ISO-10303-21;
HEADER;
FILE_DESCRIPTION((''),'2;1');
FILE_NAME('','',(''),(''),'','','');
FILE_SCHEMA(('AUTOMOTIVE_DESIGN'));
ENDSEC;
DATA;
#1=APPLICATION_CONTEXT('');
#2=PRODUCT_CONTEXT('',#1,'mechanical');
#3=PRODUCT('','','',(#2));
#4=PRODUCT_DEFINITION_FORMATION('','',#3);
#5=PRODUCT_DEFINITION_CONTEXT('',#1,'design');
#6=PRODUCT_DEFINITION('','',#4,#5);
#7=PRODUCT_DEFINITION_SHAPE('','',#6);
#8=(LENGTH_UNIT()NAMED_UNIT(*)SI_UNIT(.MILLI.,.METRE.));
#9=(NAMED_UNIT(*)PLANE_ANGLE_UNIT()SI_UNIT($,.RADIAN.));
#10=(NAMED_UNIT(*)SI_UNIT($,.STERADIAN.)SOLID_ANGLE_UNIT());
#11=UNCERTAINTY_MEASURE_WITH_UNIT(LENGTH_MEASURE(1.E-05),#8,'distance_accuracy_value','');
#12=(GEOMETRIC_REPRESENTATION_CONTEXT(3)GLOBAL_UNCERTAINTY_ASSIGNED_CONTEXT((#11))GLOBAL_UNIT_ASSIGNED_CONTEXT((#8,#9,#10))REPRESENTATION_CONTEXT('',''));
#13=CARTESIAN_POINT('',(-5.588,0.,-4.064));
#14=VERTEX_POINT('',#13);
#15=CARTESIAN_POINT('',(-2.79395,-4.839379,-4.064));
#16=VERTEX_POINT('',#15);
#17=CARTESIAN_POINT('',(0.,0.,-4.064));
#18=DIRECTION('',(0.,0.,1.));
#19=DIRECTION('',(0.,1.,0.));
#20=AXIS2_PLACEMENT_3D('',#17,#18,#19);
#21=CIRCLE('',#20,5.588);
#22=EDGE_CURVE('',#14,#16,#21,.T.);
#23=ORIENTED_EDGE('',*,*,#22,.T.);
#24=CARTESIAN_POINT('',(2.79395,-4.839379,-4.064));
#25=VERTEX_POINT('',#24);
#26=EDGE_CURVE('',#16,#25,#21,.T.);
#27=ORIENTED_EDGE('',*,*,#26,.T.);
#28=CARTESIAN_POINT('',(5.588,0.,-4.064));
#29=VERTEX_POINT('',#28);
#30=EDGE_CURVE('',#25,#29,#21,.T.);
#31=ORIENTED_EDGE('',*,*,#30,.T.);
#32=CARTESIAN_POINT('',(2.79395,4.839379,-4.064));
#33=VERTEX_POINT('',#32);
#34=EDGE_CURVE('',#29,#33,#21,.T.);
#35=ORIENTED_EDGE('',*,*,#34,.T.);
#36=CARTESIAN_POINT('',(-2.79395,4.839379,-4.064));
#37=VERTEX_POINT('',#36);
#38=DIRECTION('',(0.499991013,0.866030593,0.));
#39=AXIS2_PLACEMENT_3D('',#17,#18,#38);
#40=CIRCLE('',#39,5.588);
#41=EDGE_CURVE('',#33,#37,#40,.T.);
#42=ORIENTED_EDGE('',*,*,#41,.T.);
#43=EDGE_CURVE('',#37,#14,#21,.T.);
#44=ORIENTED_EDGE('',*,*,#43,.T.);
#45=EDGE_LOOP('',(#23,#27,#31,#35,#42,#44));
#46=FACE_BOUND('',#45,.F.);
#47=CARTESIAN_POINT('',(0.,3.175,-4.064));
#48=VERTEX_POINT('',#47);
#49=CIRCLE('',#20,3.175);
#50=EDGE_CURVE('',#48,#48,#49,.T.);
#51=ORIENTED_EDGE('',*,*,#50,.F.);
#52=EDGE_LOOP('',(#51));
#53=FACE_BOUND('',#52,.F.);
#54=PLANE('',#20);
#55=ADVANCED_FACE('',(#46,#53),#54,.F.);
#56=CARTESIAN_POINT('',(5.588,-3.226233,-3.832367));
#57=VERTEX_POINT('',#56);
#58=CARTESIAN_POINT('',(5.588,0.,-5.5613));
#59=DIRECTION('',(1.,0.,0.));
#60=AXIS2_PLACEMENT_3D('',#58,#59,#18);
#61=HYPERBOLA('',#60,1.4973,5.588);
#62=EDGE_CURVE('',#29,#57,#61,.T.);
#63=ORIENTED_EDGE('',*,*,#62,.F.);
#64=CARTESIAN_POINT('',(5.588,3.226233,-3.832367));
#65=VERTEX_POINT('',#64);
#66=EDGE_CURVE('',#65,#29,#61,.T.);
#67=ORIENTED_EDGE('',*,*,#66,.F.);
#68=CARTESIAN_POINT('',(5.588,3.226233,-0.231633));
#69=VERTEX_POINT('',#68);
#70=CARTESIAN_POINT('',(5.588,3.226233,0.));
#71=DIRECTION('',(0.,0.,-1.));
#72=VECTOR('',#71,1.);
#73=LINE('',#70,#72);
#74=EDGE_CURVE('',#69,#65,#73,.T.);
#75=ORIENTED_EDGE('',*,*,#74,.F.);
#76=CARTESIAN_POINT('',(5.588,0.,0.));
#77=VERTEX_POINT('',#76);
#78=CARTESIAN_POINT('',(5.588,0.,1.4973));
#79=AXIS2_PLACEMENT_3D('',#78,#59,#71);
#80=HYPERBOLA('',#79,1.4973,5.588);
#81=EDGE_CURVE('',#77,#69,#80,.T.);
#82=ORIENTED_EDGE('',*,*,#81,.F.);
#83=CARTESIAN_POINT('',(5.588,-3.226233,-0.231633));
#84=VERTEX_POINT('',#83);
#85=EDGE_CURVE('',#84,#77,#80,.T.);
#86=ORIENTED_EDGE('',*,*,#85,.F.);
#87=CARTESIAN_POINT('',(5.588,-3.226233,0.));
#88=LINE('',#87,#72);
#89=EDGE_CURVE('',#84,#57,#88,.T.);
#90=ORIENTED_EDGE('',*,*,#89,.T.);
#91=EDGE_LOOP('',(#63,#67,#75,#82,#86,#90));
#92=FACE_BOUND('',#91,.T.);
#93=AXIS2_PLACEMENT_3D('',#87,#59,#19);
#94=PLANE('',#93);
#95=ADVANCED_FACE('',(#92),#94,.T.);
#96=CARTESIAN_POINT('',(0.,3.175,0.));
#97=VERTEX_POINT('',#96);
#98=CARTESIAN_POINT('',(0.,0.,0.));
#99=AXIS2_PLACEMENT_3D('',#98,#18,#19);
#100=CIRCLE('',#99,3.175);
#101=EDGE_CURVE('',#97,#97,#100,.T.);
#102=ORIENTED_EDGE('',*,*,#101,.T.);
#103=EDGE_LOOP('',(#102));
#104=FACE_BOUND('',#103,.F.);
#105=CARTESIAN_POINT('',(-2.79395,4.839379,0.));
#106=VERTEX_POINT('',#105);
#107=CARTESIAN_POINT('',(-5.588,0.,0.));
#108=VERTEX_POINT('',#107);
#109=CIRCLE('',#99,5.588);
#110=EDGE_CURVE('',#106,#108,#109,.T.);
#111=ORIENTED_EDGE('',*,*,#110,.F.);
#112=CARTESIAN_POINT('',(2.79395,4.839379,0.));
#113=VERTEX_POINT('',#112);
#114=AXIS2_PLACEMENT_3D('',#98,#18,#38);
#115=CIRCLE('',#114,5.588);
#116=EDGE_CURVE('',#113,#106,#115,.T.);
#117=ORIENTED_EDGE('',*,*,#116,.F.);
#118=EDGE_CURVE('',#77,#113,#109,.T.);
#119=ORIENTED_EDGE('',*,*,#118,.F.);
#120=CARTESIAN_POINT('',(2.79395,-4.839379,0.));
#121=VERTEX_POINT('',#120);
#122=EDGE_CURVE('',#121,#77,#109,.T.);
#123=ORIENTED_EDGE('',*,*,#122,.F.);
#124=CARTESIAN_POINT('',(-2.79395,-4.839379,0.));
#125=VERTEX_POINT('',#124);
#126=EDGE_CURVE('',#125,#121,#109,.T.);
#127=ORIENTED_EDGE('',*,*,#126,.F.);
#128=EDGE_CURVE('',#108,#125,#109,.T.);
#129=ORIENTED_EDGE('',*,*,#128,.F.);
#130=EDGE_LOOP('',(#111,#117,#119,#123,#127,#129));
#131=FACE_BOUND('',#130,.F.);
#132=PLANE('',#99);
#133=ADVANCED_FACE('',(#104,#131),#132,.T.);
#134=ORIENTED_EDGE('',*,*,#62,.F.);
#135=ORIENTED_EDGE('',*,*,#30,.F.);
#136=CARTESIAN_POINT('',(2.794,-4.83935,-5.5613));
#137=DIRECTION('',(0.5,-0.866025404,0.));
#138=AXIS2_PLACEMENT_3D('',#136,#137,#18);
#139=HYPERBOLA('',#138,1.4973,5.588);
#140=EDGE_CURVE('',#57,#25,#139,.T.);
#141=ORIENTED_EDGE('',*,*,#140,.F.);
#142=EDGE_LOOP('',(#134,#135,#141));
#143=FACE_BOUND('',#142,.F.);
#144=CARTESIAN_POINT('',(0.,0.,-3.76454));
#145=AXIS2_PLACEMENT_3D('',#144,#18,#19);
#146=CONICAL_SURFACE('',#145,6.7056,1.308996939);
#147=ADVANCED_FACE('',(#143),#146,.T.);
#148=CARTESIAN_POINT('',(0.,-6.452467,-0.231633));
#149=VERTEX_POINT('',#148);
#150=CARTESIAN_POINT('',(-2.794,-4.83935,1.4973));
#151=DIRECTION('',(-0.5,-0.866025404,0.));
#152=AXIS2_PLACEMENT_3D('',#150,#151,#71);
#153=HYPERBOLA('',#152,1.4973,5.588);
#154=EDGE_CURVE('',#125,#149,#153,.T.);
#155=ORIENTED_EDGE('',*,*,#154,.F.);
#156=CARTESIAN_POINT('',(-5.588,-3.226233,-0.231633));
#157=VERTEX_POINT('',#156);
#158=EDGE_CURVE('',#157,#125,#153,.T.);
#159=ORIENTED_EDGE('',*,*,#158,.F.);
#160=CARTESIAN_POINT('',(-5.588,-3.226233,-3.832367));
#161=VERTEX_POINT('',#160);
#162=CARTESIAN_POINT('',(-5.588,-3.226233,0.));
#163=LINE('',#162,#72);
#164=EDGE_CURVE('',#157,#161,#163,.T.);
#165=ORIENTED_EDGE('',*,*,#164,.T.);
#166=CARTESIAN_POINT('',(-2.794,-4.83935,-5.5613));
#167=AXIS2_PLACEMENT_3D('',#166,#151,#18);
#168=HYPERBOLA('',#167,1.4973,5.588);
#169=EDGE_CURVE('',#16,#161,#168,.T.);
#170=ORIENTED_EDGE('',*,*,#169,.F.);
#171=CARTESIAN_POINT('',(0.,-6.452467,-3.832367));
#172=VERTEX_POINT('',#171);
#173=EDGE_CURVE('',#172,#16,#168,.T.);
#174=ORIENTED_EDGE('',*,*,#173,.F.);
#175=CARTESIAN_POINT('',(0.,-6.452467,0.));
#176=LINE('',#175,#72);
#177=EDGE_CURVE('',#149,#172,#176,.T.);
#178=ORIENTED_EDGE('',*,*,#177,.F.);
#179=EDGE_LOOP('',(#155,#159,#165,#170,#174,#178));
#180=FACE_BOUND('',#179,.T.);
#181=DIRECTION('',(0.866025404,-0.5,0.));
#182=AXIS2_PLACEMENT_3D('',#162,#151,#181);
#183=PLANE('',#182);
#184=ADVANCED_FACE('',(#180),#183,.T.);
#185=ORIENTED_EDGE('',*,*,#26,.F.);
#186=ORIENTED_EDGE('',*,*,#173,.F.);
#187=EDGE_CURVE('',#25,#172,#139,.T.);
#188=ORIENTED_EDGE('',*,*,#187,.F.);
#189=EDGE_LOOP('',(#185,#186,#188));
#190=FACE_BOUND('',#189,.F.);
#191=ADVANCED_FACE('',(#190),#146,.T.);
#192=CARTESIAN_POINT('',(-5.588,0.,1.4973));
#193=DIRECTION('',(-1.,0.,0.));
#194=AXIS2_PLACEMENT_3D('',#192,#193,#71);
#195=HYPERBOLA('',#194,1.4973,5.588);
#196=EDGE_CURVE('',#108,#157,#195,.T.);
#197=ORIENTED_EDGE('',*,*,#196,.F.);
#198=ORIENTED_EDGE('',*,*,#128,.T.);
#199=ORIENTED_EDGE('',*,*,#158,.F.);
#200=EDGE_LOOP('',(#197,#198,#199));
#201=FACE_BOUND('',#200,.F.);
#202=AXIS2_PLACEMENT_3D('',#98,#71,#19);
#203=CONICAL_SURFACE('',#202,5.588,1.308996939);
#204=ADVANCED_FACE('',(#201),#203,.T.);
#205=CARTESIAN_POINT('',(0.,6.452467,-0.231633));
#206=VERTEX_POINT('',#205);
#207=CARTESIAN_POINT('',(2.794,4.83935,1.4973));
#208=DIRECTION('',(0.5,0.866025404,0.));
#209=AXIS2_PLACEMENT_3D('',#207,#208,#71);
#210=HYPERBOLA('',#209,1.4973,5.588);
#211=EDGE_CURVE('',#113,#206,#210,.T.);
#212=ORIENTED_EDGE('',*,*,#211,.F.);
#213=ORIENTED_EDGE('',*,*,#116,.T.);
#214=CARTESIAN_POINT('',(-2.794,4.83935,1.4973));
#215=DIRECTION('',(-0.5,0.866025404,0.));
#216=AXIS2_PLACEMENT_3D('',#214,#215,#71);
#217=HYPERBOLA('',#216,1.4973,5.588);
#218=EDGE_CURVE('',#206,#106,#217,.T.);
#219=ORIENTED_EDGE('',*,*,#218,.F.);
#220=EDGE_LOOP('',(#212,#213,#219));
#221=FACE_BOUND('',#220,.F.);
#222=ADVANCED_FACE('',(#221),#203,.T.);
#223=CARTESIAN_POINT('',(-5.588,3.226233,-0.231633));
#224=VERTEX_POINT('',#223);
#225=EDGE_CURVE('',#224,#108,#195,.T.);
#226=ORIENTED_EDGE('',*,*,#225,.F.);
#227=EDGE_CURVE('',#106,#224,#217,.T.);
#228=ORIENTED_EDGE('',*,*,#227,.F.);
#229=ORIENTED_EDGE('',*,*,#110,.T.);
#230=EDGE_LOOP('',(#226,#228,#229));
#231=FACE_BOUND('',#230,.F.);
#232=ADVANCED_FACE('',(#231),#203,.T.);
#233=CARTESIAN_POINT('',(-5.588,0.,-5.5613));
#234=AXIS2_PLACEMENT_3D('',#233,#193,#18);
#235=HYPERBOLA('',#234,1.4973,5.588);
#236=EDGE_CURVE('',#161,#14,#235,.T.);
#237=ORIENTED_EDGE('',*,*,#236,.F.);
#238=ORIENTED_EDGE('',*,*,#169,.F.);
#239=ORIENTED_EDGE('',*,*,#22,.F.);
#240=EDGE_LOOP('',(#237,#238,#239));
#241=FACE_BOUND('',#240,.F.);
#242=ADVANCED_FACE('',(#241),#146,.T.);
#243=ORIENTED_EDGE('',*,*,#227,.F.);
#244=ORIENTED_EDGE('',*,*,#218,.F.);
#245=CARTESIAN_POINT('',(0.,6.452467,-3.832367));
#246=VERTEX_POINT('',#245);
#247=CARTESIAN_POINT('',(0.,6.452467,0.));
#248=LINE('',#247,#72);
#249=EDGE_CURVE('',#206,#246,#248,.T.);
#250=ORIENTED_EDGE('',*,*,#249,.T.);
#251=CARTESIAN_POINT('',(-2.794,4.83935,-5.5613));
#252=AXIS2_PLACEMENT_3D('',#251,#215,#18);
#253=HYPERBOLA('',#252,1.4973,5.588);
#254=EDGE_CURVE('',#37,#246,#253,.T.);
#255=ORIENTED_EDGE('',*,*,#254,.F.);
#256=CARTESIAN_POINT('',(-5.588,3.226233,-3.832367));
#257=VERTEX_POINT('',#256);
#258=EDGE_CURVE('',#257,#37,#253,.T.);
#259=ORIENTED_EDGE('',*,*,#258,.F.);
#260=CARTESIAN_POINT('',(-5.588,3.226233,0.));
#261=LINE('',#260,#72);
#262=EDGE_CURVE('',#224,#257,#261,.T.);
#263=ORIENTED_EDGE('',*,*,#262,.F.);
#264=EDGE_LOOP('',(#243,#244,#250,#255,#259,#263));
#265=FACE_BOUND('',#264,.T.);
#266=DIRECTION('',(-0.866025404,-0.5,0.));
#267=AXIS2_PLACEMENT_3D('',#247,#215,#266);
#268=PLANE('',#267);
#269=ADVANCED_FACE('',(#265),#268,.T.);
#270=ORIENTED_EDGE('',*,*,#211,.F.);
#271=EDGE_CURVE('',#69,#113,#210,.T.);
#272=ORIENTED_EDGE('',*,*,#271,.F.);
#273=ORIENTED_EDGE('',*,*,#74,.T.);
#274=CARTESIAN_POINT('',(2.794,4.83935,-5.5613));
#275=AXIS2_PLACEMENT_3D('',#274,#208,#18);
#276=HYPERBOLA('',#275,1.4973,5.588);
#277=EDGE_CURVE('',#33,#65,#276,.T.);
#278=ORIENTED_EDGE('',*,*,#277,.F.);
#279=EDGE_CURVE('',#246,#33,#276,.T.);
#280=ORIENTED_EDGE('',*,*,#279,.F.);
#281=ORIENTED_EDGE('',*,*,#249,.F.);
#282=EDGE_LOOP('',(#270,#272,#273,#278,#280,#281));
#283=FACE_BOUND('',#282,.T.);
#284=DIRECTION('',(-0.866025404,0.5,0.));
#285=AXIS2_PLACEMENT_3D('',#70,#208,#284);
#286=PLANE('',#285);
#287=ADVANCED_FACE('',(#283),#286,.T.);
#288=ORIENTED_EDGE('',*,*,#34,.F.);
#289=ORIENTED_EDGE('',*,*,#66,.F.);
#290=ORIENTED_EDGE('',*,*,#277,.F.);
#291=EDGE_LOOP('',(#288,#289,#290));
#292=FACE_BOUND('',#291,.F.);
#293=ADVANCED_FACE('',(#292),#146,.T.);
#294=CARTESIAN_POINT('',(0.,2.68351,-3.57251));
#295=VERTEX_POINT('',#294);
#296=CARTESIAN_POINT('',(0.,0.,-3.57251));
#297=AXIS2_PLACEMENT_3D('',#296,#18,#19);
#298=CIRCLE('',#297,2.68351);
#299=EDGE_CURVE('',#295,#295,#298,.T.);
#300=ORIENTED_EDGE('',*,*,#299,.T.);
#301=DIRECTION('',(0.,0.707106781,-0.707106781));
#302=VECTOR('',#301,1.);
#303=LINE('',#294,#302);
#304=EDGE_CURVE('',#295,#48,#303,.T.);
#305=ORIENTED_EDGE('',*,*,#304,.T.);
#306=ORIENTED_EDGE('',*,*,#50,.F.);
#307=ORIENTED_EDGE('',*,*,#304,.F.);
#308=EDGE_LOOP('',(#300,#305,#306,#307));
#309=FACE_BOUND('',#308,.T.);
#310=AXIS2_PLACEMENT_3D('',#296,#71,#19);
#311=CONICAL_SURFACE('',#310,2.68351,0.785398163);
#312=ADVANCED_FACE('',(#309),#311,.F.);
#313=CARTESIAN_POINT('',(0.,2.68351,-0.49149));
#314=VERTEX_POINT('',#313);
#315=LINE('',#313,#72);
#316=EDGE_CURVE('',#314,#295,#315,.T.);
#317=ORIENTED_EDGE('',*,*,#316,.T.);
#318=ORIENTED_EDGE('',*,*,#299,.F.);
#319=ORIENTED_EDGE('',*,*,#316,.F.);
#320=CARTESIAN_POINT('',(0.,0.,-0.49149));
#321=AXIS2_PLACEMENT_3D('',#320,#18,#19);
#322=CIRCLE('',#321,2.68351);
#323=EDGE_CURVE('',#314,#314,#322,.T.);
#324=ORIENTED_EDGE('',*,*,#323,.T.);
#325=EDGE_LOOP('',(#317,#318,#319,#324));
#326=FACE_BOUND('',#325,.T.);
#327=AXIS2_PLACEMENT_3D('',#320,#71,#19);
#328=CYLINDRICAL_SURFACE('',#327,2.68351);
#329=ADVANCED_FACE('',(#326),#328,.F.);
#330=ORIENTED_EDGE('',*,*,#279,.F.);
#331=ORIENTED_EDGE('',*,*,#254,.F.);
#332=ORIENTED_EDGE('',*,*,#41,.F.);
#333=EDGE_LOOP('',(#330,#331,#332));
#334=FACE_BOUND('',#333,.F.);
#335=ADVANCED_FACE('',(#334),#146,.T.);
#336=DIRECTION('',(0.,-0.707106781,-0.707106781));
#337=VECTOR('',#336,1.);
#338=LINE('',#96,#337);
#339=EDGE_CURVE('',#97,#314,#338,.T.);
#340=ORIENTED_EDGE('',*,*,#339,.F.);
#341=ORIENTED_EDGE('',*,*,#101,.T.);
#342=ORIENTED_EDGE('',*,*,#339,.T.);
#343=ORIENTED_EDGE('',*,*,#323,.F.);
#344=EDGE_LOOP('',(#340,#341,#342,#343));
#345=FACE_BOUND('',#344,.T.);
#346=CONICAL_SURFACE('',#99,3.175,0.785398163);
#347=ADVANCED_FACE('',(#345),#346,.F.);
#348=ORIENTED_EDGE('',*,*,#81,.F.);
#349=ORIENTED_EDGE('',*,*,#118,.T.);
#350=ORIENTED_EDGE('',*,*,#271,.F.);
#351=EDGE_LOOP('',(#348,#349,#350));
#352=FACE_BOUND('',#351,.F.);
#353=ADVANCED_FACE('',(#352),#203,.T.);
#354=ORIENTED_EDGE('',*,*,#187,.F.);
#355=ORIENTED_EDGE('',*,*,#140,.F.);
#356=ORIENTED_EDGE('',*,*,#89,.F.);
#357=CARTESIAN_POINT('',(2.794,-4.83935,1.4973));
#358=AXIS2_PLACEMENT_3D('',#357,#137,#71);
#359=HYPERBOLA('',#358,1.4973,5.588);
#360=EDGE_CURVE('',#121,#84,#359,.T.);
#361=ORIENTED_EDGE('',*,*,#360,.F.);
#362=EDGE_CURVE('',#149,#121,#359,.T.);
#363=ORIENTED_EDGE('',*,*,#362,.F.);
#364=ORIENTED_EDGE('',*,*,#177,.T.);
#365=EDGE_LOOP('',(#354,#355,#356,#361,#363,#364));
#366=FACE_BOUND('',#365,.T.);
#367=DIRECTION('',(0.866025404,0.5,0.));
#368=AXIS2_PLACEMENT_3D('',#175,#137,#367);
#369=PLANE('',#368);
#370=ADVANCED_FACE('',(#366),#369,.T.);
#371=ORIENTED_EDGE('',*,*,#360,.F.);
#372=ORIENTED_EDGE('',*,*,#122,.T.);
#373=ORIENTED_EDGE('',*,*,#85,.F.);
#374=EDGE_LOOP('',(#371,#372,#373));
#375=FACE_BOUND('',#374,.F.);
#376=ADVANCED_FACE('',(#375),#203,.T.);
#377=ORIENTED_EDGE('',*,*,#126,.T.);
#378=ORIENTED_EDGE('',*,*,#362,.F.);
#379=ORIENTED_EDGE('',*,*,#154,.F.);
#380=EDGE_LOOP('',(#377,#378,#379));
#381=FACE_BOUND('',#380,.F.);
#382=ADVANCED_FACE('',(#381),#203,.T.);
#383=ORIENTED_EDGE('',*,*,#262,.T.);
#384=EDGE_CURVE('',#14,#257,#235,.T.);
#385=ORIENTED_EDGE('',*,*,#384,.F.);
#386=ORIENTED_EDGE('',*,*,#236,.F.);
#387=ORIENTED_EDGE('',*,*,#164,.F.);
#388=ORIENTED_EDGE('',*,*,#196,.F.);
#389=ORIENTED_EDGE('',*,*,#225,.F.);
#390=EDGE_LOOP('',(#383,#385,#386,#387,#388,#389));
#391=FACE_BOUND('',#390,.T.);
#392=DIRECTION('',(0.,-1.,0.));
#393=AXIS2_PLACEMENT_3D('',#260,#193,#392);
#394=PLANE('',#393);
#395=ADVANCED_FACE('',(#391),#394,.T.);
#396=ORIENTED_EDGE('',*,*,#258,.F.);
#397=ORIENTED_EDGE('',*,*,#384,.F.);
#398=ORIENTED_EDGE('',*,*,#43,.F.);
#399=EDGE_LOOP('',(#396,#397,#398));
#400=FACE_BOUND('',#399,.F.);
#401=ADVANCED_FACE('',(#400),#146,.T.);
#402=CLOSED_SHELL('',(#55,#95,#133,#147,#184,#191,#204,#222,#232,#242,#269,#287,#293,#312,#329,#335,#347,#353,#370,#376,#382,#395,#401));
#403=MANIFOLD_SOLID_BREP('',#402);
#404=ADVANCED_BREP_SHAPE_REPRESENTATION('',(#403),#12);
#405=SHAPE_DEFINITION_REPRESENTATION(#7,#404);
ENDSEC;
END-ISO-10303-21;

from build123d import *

# Parameters (mm, degrees)
SKETCH2_W          = 22.352
SKETCH2_H          = 22.352
CUT_EXTRUDE1_DEPTH = 4.064


with BuildPart() as part:
    # Sketch1 → Revolve1 (revolve)
    with BuildSketch(Plane(origin=(0, 0, 0), x_dir=(0, 0, -1), z_dir=(1, 0, 0))):
        Polygon((0, 0), (0, 5.588), (0.299460017, 6.7056), (3.764539983, 6.7056), (4.064, 5.588), (4.064, 0), align=None)
    revolve(axis=Axis((0, 0, -4.064), (0, 0, 1)))

    # Sketch2 → Cut-Extrude1 (cut)
    with BuildSketch(Plane.XY):
        Rectangle(SKETCH2_W, SKETCH2_H)
        Polygon((-5.588, 3.226233304), (-5.588, -3.226233304), (0, -6.452466608), (5.588, -3.226233304), (5.588, 3.226233304), (0, 6.452466608), align=None, mode=Mode.SUBTRACT)
    extrude(amount=-CUT_EXTRUDE1_DEPTH, mode=Mode.SUBTRACT)

    # Sketch3 → Cut-Revolve1 (revolve, cut)
    with BuildSketch(Plane(origin=(0, 0, 0), x_dir=(0, 0, -1), z_dir=(1, 0, 0))):
        Polygon((0, 0), (0, 3.175), (0.49149, 2.68351), (3.57251, 2.68351), (4.064, 3.175), (4.064, 0), align=None)
    revolve(axis=Axis((0, 0, -4.064), (0, 0, 1)), mode=Mode.SUBTRACT)


solid = part.part
